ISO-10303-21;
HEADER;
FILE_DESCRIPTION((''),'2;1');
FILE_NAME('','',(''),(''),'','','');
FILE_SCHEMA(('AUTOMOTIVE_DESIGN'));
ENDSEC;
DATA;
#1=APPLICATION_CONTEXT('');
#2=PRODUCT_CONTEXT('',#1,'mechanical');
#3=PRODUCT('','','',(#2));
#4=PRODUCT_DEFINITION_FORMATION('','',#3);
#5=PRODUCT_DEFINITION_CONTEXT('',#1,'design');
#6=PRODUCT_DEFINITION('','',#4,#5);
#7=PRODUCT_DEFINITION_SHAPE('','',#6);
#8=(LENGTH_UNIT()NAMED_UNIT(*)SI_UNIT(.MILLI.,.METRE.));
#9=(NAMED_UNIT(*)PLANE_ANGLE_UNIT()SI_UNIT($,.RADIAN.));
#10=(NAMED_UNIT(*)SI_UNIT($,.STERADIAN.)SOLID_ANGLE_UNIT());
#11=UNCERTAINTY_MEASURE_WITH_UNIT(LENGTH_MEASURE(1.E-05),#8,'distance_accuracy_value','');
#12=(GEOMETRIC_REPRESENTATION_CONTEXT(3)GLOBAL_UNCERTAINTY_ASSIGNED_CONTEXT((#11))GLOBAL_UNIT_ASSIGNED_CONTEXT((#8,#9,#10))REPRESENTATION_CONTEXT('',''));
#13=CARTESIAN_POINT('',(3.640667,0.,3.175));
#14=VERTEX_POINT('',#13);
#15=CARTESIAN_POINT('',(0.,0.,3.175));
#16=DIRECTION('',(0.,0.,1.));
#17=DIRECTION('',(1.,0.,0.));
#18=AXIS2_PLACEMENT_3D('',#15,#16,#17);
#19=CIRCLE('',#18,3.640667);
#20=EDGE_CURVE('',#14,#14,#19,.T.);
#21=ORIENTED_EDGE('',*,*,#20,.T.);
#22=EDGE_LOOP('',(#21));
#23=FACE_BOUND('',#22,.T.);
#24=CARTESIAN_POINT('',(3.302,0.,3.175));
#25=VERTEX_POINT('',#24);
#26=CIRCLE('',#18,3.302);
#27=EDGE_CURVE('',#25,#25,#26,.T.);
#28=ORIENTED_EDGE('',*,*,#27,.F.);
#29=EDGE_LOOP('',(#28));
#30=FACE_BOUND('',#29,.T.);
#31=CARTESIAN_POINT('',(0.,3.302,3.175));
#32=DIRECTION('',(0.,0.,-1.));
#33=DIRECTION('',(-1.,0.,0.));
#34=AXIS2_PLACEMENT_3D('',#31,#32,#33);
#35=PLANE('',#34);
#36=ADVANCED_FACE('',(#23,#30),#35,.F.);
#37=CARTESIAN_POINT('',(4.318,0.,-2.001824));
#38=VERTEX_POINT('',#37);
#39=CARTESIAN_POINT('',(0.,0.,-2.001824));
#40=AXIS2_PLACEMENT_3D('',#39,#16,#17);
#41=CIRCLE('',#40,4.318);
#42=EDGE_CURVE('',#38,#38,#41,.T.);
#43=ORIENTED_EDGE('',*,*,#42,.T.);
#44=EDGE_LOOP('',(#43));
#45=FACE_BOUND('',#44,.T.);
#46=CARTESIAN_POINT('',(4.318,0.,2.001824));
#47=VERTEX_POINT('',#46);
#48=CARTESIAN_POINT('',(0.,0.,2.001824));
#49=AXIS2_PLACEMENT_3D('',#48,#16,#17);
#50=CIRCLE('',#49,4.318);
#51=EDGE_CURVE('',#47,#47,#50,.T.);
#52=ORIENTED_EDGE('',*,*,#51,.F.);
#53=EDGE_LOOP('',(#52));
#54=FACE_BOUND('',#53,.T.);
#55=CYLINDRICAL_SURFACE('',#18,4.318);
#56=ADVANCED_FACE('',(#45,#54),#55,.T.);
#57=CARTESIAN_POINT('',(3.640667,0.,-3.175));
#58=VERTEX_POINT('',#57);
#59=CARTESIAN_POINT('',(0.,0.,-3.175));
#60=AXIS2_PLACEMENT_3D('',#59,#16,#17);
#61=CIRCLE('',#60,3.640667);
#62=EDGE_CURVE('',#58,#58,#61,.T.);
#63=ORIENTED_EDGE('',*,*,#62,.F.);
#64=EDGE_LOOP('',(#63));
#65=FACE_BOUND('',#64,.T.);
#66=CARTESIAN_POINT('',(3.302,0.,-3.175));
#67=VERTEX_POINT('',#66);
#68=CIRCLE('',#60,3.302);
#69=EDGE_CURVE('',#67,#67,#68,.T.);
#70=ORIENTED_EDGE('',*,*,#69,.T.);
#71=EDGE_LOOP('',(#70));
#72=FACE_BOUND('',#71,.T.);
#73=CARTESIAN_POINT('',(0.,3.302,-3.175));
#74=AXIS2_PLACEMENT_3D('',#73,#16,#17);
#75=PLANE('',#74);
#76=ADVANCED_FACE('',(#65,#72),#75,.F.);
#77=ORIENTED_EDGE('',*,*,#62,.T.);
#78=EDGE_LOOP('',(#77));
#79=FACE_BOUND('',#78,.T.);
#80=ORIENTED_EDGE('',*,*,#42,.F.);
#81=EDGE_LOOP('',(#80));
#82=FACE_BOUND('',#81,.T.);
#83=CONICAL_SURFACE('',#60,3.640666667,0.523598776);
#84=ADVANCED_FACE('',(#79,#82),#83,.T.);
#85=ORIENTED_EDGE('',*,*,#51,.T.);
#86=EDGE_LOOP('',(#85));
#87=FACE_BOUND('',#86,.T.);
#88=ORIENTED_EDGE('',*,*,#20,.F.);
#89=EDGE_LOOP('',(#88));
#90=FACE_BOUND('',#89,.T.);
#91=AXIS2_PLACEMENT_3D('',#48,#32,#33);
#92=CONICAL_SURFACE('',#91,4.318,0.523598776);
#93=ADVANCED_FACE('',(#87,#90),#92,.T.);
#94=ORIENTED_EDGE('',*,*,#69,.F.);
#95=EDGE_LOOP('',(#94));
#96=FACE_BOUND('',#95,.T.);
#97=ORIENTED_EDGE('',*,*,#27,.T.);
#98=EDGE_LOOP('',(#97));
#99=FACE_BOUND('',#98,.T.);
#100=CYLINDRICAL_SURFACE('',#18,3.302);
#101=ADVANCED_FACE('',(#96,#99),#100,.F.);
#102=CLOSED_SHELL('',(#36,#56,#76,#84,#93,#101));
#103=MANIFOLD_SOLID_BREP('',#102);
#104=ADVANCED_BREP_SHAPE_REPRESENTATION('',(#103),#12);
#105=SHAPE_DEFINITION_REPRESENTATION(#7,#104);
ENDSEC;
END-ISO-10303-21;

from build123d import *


with BuildPart() as part:
    # Sketch2 → Revolve1 (revolve)
    with BuildSketch(Plane(origin=(0, 0, 0), x_dir=(0, 0, -1), z_dir=(1, 0, 0)), mode=Mode.PRIVATE) as revolve1_sk:
        Polygon((-3.175, 3.302), (-3.175, 3.640666667), (-2.001824253, 4.318), (2.001824253, 4.318), (3.175, 3.640666667), (3.175, 3.302), align=None)
    revolve(revolve1_sk.sketch.rotate(Axis((0, 0, 3.175), (0, 0, -1)), 90), axis=Axis((0, 0, 3.175), (0, 0, -1)))


solid = part.part
